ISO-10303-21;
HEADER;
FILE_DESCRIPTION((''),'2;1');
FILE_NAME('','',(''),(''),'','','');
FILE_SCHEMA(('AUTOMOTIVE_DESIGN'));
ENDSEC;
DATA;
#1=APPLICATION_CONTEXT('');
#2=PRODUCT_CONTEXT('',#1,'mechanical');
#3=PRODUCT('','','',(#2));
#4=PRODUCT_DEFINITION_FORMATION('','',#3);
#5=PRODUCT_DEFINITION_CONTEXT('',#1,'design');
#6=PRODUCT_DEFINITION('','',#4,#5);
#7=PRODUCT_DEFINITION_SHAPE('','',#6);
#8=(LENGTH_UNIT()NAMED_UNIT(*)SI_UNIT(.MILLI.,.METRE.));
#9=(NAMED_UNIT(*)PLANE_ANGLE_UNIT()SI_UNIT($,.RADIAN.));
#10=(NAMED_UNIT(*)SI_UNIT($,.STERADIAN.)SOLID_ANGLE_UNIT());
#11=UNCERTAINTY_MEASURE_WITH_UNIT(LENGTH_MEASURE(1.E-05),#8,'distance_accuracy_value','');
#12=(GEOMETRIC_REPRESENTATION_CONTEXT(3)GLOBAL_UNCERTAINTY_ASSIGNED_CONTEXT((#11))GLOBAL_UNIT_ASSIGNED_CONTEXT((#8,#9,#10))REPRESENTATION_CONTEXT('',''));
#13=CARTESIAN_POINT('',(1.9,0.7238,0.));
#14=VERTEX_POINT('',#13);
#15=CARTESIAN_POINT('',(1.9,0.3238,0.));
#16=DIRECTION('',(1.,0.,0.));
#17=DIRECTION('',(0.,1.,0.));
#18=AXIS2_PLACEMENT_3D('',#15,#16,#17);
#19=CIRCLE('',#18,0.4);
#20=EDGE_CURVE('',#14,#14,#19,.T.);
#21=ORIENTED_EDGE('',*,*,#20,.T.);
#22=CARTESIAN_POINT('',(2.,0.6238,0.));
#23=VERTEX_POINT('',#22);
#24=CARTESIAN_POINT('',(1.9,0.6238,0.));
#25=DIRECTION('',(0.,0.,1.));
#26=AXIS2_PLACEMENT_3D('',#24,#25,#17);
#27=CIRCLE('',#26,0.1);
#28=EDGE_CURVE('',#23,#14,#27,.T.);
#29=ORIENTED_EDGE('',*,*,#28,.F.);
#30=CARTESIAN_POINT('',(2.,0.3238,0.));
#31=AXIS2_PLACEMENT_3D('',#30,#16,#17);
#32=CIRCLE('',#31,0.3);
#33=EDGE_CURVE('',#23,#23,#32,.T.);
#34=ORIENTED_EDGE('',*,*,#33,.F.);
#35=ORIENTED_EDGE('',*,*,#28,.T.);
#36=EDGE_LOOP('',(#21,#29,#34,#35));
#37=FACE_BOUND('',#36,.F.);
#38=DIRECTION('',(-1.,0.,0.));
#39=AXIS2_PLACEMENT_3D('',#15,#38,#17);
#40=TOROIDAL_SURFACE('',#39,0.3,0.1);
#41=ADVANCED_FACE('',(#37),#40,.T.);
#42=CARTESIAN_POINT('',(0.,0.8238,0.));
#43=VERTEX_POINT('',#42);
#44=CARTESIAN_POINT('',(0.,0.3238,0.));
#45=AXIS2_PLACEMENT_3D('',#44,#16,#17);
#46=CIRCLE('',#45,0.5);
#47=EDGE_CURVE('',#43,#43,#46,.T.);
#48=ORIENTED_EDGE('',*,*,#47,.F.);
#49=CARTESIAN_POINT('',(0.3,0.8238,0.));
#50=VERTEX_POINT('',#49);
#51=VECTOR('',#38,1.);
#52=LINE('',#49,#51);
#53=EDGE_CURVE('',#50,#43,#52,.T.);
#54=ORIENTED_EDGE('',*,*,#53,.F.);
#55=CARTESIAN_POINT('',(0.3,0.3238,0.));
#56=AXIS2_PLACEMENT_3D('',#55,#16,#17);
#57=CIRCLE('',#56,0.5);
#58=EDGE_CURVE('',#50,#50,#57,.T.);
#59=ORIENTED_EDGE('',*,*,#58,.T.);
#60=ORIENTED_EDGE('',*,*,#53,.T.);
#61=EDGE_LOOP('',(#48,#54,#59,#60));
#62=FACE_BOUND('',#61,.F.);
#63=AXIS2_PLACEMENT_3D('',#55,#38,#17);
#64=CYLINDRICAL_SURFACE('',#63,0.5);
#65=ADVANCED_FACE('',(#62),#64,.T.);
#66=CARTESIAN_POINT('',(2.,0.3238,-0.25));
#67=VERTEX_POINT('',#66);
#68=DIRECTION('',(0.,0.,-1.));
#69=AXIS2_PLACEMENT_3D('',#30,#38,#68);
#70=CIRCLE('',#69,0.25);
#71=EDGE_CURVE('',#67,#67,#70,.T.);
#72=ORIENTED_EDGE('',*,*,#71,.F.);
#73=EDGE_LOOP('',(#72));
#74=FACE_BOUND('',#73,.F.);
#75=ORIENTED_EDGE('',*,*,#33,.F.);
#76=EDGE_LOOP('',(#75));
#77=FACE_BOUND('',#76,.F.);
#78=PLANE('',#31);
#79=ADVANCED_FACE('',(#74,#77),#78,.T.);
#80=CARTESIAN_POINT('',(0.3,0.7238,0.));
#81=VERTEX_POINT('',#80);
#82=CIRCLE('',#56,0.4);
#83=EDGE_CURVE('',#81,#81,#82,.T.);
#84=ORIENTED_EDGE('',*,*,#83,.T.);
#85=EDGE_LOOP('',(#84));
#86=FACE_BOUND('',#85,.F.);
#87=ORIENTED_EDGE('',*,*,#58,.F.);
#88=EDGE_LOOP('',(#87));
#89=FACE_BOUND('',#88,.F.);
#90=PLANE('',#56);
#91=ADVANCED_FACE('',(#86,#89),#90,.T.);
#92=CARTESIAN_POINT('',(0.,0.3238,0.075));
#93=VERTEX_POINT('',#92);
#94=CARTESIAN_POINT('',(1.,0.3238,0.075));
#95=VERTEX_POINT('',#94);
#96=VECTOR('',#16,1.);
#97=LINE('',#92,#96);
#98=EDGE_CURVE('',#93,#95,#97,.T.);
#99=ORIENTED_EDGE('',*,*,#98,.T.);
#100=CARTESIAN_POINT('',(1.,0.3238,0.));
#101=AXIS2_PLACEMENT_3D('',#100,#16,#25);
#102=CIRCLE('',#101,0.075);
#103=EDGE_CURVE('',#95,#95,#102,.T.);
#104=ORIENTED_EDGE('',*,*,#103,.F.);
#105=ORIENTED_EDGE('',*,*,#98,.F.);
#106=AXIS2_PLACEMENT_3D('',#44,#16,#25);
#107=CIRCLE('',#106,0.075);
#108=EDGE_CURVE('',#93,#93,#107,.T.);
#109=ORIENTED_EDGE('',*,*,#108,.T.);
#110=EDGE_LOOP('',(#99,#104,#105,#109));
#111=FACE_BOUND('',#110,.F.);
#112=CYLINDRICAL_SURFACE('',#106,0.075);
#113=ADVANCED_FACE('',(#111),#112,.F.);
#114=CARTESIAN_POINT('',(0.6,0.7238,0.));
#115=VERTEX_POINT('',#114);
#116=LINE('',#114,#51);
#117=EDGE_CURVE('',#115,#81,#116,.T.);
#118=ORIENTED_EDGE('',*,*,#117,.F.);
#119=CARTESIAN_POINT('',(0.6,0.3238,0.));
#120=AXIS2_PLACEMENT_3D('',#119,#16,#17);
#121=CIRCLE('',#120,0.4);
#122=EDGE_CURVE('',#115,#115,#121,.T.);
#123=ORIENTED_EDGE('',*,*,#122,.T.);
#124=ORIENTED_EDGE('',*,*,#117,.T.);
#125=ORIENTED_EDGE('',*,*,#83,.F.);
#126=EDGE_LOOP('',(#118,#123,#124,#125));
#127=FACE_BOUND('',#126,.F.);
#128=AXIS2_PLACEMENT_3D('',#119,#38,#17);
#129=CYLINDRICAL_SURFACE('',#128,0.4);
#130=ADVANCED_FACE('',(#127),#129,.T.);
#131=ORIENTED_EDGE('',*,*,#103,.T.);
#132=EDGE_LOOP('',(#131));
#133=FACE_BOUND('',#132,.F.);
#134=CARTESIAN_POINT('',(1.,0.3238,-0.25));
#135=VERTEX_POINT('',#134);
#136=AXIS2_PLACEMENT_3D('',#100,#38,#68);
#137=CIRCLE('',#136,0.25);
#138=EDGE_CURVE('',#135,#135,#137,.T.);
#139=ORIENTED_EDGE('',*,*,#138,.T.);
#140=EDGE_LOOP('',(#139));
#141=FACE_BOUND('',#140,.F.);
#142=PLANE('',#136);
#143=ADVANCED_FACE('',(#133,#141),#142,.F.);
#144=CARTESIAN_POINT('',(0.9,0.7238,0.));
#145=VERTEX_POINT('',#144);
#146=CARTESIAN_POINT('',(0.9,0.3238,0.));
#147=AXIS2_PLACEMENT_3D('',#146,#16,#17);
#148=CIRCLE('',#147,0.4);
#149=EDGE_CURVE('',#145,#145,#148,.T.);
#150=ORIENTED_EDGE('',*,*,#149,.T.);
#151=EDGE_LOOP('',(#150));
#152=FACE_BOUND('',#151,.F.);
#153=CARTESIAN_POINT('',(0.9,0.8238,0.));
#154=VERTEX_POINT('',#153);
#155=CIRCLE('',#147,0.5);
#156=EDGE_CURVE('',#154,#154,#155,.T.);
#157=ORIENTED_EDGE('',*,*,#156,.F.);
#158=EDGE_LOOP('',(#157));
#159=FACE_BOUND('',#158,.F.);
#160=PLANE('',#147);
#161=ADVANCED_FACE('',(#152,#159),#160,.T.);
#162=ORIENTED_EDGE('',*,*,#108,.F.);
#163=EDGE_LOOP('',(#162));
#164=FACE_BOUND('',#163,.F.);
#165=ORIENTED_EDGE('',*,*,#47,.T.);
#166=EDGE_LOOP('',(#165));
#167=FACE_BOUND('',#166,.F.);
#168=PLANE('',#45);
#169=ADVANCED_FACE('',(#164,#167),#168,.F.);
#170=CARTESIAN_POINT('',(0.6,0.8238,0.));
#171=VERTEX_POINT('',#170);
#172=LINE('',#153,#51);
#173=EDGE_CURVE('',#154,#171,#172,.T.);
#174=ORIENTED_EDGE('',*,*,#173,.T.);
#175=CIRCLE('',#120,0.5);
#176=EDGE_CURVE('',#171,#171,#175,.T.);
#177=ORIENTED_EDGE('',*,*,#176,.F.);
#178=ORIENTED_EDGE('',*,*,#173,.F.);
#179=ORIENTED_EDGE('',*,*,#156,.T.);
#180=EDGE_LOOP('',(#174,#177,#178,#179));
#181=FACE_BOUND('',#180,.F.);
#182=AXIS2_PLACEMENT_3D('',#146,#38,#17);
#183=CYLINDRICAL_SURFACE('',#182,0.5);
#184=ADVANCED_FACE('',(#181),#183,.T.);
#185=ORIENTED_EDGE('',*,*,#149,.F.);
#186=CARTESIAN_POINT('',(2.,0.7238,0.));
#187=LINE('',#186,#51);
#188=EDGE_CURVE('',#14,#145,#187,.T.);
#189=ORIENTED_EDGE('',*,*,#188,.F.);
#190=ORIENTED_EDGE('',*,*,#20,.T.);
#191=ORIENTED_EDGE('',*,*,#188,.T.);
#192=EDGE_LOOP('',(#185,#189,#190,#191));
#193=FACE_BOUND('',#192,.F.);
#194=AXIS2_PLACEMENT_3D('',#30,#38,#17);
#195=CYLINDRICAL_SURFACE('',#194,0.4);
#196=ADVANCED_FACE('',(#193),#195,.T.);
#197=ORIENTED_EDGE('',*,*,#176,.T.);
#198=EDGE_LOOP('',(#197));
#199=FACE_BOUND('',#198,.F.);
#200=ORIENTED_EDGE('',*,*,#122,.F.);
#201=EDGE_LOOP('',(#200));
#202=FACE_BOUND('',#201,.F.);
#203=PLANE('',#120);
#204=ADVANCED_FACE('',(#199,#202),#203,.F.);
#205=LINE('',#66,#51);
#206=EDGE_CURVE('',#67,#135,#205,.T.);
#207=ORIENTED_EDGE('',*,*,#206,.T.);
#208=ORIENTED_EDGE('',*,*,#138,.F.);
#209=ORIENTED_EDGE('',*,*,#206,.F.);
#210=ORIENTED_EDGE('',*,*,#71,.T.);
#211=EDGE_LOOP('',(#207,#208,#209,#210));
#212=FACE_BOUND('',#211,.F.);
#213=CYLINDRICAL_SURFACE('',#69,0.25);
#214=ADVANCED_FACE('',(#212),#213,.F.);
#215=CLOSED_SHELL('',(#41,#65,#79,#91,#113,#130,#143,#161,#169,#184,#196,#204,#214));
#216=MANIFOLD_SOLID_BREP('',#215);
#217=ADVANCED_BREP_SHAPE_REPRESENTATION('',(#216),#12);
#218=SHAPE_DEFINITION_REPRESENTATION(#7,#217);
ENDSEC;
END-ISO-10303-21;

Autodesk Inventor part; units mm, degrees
ref_plane "YZ Plane" through (0, 0, 0) normal (1, 0, 0) x (0, 1, 0)
ref_plane "XZ Plane" through (0, 0, 0) normal (0, 1, 0) x (-1, 0, 0)
ref_plane "XY Plane" through (0, 0, 0) normal (0, 0, 1) x (1, 0, 0)
sketch "Skizze1" plane through (0, 0, 0) normal (0, 0, 1) x (1, 0, 0)
  line L0 (0, 0.3238) -> (2, 0.3238)
  line L1 (2, 0.3238) -> (2, 0.7238)
  line L2 (2, 0.7238) -> (0.9, 0.7238)
  line L3 (0.9, 0.7238) -> (0.9, 0.8238)
  line L4 (0.9, 0.8238) -> (0.6, 0.8238)
  line L5 (0.6, 0.8238) -> (0.6, 0.7238)
  line L6 (0.6, 0.7238) -> (0.3, 0.7238)
  line L7 (0.3, 0.7238) -> (0.3, 0.8238)
  line L8 (0.3, 0.8238) -> (0, 0.8238)
  line L9 (0, 0.8238) -> (0, 0.3238)
  dimension "d1" = 2
  dimension "d6" = 0.3
  dimension "d7" = 0.3
  dimension "d8" = 0.3
  dimension "d10" = 0.5
  dimension "d11" = 0.4
revolve "Drehung1" add sketch "Skizze1" angle 360 about axis through (0, 0.3238, 0) along (1, 0, 0)
hole "Bohrung1" at (0, 0.3238, 0) direction (1, 0, 0) diameter 0.15 depth 8
hole "Bohrung2" at (2, 0.3238, 0) direction (-1, 0, 0) diameter 0.5 depth 1
fillet "Rundung1" radius 0.1 1 edges at (2, -0.0762, 0)
properties part number "Blende"
